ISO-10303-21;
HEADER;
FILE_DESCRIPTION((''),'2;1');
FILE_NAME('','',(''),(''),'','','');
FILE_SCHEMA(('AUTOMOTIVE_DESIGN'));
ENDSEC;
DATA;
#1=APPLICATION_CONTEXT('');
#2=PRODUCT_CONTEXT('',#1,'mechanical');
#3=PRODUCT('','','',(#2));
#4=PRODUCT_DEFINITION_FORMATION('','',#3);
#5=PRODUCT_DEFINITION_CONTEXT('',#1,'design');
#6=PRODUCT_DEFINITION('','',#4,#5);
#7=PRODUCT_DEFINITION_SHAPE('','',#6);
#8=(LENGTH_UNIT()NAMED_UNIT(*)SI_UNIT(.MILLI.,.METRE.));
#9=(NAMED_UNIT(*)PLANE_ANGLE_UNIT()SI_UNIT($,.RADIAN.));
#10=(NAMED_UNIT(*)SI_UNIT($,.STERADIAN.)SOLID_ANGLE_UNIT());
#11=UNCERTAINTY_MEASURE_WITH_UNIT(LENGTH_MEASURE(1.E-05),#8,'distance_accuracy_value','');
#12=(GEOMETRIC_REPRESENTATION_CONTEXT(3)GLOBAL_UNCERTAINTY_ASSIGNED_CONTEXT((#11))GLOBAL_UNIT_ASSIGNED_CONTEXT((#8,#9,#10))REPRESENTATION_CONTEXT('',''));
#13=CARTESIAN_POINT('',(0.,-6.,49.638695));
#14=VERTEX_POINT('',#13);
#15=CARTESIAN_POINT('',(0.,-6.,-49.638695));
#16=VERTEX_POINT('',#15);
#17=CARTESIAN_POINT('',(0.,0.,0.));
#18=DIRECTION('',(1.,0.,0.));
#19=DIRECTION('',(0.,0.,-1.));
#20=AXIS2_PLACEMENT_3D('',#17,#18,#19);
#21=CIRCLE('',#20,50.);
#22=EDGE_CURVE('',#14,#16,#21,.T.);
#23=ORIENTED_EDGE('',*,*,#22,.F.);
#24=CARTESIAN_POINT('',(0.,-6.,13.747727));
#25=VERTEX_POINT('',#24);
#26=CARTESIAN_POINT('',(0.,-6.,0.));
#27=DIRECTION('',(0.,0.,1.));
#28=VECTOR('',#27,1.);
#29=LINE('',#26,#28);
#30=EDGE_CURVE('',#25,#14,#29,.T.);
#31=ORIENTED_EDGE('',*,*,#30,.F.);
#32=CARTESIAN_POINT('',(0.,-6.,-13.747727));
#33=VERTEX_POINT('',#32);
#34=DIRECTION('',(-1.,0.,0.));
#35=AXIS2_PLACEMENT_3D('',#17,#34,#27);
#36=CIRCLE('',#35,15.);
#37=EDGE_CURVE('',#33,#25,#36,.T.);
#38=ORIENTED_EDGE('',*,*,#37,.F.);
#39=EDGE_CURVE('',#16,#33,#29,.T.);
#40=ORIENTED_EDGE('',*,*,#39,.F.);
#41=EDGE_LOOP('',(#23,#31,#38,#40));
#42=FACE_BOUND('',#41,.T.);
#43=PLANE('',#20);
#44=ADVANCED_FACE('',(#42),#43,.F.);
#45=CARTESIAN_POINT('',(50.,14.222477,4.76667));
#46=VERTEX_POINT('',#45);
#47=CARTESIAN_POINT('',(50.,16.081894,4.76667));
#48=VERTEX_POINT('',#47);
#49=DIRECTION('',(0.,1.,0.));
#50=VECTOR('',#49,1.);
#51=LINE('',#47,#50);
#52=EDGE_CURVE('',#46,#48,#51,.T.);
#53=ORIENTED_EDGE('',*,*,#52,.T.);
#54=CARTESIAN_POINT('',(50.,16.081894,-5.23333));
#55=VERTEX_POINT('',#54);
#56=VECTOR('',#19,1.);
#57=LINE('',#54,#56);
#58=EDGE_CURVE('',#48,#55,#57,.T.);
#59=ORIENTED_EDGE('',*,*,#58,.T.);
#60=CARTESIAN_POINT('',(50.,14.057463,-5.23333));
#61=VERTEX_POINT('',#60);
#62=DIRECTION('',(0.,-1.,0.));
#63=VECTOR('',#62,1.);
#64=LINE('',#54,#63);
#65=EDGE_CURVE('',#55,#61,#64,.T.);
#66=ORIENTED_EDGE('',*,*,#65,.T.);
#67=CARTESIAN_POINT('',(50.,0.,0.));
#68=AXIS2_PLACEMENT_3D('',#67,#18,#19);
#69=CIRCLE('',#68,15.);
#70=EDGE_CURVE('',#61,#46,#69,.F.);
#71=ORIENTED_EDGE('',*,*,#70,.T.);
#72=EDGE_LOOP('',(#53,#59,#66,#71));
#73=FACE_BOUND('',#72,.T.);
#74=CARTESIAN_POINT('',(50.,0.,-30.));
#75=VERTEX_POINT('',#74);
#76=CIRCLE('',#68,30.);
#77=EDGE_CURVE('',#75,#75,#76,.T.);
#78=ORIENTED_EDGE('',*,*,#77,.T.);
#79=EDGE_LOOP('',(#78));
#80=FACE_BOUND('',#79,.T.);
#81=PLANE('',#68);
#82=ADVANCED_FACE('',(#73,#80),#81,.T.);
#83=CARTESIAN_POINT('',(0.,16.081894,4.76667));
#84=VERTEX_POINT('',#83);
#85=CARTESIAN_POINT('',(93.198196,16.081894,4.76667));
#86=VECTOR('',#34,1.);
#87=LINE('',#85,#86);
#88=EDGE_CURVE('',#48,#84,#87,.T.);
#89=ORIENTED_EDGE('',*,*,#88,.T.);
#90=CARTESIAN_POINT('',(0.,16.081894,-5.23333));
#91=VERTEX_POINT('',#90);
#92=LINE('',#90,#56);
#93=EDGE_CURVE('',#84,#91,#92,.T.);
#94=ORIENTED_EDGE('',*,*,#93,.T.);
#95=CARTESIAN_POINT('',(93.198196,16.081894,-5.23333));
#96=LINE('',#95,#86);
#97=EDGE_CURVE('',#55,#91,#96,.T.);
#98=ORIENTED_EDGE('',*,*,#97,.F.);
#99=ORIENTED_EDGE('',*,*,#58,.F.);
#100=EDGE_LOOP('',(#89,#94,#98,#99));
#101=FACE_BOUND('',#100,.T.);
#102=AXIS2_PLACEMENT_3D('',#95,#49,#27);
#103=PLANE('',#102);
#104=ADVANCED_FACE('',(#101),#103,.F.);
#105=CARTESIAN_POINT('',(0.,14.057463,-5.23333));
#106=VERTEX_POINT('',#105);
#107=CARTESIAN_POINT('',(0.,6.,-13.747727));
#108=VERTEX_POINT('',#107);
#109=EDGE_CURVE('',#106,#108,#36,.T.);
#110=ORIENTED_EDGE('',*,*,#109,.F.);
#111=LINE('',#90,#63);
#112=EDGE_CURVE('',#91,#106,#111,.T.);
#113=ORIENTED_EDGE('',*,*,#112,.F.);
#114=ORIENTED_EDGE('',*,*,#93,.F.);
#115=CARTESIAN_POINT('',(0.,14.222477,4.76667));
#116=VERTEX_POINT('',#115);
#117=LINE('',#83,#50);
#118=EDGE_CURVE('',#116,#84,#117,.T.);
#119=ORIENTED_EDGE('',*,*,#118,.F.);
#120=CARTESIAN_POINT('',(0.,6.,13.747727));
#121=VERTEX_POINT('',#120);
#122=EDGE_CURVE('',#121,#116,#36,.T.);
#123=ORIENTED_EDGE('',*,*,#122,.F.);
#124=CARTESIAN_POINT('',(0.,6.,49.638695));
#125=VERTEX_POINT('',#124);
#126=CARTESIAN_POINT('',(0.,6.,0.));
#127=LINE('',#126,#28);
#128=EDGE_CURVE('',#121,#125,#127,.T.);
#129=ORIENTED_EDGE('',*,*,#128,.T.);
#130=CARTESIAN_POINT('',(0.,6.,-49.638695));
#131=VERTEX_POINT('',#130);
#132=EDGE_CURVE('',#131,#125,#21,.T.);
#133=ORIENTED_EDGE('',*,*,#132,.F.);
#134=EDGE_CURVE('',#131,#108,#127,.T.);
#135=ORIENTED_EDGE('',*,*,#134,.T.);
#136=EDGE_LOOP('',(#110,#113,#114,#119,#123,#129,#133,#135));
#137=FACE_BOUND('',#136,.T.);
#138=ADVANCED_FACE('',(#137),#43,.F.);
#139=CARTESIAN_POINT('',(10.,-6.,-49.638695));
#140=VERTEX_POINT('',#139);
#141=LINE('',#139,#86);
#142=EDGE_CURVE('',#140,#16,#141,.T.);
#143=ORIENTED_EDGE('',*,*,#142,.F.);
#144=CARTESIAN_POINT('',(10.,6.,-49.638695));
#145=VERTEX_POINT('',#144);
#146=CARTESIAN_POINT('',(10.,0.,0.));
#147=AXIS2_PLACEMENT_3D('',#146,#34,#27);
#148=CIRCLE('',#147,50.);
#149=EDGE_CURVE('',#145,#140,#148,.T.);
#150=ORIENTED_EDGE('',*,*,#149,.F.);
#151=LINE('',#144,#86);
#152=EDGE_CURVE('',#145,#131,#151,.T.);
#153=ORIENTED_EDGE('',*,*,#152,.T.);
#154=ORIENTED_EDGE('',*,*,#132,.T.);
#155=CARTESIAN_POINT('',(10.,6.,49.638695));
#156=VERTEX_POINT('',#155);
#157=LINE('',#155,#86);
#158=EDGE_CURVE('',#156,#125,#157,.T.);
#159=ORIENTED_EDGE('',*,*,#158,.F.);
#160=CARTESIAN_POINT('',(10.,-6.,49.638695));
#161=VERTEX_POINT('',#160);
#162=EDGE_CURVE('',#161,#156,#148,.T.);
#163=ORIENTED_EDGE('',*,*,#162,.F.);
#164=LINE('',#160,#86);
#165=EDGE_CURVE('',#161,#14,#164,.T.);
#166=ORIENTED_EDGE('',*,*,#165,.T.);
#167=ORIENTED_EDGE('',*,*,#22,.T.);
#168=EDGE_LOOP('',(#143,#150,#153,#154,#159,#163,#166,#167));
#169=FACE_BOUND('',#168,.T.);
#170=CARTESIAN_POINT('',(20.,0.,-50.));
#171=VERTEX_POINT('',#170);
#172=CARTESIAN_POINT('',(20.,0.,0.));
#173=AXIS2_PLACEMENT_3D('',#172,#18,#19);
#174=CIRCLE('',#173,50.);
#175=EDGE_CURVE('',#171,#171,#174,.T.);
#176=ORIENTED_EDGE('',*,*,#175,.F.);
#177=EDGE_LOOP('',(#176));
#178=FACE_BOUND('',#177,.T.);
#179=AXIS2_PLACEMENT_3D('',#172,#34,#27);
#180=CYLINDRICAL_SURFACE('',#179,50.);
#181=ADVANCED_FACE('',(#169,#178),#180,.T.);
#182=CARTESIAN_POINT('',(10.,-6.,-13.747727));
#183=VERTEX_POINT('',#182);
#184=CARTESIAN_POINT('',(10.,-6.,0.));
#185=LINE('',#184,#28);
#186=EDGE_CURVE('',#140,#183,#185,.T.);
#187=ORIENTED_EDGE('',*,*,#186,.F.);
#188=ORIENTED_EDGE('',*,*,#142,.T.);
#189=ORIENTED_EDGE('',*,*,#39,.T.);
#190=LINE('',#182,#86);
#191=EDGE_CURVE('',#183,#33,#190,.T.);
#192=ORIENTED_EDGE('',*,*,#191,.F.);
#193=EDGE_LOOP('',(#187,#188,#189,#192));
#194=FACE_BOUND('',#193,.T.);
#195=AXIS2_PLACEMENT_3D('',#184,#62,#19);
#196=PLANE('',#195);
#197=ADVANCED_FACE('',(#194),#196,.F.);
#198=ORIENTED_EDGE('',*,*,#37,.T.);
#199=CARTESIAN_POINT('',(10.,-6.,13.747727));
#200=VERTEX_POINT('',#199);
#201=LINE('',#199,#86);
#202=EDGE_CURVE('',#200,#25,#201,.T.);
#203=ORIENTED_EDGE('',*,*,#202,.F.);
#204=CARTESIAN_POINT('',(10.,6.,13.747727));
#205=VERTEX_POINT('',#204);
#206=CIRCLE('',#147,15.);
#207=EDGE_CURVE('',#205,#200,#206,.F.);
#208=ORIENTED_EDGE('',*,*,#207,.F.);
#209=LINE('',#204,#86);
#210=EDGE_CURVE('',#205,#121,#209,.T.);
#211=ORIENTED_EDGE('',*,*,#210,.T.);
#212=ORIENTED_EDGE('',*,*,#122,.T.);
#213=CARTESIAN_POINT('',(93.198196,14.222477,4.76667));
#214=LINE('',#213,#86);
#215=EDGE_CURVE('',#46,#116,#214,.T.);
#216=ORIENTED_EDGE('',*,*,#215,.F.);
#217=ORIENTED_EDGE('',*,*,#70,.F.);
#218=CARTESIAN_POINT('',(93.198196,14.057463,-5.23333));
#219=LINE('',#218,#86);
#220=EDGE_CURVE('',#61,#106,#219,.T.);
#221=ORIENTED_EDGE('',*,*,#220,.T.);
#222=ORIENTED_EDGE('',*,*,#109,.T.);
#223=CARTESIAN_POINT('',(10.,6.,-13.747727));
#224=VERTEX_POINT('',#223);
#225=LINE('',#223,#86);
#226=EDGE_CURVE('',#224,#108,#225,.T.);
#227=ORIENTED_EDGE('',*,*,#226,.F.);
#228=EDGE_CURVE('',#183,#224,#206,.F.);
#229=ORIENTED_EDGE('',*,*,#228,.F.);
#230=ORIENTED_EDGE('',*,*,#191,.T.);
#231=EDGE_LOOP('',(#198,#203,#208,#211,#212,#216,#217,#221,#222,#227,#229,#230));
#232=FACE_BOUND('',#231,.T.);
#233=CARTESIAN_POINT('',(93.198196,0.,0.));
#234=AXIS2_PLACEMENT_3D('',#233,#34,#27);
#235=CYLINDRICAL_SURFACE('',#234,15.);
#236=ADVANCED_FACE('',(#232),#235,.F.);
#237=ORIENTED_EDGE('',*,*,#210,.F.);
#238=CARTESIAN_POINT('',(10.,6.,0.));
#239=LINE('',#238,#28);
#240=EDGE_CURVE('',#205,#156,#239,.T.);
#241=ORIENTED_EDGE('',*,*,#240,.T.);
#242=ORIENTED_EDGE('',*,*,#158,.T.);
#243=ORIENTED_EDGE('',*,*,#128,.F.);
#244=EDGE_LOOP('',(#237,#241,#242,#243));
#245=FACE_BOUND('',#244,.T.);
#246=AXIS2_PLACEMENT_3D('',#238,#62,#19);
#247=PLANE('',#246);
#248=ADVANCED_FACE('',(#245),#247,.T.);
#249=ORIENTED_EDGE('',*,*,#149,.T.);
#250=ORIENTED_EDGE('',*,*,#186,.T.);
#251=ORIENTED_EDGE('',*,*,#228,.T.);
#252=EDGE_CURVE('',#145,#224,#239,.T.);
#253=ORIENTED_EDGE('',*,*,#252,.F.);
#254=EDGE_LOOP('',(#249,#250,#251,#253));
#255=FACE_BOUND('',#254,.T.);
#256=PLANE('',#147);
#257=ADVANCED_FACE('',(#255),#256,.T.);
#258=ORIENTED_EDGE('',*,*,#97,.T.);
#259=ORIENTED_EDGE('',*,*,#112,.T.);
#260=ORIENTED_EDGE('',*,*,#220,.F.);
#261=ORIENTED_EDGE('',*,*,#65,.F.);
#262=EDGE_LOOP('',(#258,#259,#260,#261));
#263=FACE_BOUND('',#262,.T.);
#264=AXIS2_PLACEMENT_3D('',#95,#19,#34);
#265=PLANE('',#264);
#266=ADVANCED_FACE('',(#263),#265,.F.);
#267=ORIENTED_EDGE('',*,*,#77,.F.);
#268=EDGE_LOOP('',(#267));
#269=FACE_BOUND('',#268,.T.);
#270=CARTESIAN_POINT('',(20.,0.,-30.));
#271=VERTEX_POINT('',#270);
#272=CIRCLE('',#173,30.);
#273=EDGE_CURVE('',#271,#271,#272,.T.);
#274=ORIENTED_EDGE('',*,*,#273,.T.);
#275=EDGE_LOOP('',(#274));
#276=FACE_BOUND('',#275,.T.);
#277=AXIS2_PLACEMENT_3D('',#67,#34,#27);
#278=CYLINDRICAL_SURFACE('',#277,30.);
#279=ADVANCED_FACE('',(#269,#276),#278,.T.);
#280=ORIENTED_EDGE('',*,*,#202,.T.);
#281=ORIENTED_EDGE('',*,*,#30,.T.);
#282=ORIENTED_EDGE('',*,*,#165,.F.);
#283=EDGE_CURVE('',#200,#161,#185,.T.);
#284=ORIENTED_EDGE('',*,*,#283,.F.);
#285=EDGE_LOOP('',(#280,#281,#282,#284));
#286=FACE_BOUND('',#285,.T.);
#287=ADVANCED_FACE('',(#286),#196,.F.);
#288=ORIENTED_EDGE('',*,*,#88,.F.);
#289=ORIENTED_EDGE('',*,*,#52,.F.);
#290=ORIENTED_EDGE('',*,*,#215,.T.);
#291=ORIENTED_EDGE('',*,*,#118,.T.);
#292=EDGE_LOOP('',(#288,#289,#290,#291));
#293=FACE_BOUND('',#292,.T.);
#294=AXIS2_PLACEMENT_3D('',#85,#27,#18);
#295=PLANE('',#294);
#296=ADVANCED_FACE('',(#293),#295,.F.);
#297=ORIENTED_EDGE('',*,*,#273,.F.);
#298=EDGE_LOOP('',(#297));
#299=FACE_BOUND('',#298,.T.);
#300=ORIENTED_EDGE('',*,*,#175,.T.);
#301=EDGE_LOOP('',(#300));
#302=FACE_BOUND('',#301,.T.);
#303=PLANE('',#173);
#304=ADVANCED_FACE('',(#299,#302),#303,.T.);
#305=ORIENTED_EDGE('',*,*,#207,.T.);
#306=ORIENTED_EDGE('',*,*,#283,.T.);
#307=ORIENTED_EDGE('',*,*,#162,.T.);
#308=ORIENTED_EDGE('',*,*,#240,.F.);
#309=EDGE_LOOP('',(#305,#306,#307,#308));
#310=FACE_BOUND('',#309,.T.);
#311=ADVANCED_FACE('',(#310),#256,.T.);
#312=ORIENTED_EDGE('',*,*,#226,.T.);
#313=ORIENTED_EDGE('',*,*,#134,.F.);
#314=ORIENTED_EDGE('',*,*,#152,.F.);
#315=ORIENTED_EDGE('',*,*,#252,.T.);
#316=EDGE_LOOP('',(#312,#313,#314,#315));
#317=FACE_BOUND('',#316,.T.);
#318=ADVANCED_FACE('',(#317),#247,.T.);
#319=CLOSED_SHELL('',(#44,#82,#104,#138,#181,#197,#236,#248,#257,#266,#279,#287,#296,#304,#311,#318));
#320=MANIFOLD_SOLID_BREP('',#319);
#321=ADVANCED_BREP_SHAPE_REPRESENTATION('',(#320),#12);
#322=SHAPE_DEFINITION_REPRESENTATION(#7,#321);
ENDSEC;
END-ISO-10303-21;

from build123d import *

# Parameters (mm, degrees)
SKETCH1_R           = 50
BOSS_EXTRUDE1_DEPTH = 20
SKETCH2_R           = 30
BOSS_EXTRUDE2_DEPTH = 30
CUT_EXTRUDE1_DEPTH  = 50
CUT_EXTRUDE2_DEPTH  = 10


with BuildPart() as part:
    # Sketch1 → Boss-Extrude1 (new body)
    with BuildSketch(Plane(origin=(0, 0, 0), x_dir=(0, 0, -1), z_dir=(1, 0, 0))):
        Circle(SKETCH1_R)
    extrude(amount=BOSS_EXTRUDE1_DEPTH)

    # Sketch2 → Boss-Extrude2 (add)
    with BuildSketch(Plane(origin=(20, 0, 0), x_dir=(0, 0, -1), z_dir=(1, 0, 0))):
        Circle(SKETCH2_R)
    extrude(amount=BOSS_EXTRUDE2_DEPTH)

    # Sketch3 → Cut-Extrude1 (cut)
    with BuildSketch(Plane.ZY):
        with BuildLine():
            Line((-5.23333009, 16.081894033), (4.76666991, 16.081894033))
            Line((4.76666991, 16.081894033), (4.76666991, 14.222477209))
            ThreePointArc((4.76666991, 14.222477209), (0.247488145, -14.997958182), (-5.23333009, 14.05746265))
            Line((-5.23333009, 14.05746265), (-5.23333009, 16.081894033))
        make_face()
    extrude(amount=-CUT_EXTRUDE1_DEPTH, mode=Mode.SUBTRACT)

    # Sketch4 → Cut-Extrude2 (cut)
    with BuildSketch(Plane.ZY):
        with BuildLine():
            Line((-13.747727085, 6), (-49.638694584, 6))
            ThreePointArc((-49.638694584, 6), (-50, 0), (-49.638694584, -6))
            Line((-49.638694584, -6), (-13.747727085, -6))
            ThreePointArc((-13.747727085, -6), (-15, 0), (-13.747727085, 6))
        make_face()
        with BuildLine():
            ThreePointArc((50, 0), (49.90959191, 3.005434312), (49.638694584, 6))
            Line((49.638694584, 6), (13.747727085, 6))
            ThreePointArc((13.747727085, 6), (15, 0), (13.747727085, -6))
            Line((13.747727085, -6), (49.638694584, -6))
            ThreePointArc((49.638694584, -6), (49.90959191, -3.005434312), (50, 0))
        make_face()
    extrude(amount=-CUT_EXTRUDE2_DEPTH, mode=Mode.SUBTRACT)


solid = part.part
